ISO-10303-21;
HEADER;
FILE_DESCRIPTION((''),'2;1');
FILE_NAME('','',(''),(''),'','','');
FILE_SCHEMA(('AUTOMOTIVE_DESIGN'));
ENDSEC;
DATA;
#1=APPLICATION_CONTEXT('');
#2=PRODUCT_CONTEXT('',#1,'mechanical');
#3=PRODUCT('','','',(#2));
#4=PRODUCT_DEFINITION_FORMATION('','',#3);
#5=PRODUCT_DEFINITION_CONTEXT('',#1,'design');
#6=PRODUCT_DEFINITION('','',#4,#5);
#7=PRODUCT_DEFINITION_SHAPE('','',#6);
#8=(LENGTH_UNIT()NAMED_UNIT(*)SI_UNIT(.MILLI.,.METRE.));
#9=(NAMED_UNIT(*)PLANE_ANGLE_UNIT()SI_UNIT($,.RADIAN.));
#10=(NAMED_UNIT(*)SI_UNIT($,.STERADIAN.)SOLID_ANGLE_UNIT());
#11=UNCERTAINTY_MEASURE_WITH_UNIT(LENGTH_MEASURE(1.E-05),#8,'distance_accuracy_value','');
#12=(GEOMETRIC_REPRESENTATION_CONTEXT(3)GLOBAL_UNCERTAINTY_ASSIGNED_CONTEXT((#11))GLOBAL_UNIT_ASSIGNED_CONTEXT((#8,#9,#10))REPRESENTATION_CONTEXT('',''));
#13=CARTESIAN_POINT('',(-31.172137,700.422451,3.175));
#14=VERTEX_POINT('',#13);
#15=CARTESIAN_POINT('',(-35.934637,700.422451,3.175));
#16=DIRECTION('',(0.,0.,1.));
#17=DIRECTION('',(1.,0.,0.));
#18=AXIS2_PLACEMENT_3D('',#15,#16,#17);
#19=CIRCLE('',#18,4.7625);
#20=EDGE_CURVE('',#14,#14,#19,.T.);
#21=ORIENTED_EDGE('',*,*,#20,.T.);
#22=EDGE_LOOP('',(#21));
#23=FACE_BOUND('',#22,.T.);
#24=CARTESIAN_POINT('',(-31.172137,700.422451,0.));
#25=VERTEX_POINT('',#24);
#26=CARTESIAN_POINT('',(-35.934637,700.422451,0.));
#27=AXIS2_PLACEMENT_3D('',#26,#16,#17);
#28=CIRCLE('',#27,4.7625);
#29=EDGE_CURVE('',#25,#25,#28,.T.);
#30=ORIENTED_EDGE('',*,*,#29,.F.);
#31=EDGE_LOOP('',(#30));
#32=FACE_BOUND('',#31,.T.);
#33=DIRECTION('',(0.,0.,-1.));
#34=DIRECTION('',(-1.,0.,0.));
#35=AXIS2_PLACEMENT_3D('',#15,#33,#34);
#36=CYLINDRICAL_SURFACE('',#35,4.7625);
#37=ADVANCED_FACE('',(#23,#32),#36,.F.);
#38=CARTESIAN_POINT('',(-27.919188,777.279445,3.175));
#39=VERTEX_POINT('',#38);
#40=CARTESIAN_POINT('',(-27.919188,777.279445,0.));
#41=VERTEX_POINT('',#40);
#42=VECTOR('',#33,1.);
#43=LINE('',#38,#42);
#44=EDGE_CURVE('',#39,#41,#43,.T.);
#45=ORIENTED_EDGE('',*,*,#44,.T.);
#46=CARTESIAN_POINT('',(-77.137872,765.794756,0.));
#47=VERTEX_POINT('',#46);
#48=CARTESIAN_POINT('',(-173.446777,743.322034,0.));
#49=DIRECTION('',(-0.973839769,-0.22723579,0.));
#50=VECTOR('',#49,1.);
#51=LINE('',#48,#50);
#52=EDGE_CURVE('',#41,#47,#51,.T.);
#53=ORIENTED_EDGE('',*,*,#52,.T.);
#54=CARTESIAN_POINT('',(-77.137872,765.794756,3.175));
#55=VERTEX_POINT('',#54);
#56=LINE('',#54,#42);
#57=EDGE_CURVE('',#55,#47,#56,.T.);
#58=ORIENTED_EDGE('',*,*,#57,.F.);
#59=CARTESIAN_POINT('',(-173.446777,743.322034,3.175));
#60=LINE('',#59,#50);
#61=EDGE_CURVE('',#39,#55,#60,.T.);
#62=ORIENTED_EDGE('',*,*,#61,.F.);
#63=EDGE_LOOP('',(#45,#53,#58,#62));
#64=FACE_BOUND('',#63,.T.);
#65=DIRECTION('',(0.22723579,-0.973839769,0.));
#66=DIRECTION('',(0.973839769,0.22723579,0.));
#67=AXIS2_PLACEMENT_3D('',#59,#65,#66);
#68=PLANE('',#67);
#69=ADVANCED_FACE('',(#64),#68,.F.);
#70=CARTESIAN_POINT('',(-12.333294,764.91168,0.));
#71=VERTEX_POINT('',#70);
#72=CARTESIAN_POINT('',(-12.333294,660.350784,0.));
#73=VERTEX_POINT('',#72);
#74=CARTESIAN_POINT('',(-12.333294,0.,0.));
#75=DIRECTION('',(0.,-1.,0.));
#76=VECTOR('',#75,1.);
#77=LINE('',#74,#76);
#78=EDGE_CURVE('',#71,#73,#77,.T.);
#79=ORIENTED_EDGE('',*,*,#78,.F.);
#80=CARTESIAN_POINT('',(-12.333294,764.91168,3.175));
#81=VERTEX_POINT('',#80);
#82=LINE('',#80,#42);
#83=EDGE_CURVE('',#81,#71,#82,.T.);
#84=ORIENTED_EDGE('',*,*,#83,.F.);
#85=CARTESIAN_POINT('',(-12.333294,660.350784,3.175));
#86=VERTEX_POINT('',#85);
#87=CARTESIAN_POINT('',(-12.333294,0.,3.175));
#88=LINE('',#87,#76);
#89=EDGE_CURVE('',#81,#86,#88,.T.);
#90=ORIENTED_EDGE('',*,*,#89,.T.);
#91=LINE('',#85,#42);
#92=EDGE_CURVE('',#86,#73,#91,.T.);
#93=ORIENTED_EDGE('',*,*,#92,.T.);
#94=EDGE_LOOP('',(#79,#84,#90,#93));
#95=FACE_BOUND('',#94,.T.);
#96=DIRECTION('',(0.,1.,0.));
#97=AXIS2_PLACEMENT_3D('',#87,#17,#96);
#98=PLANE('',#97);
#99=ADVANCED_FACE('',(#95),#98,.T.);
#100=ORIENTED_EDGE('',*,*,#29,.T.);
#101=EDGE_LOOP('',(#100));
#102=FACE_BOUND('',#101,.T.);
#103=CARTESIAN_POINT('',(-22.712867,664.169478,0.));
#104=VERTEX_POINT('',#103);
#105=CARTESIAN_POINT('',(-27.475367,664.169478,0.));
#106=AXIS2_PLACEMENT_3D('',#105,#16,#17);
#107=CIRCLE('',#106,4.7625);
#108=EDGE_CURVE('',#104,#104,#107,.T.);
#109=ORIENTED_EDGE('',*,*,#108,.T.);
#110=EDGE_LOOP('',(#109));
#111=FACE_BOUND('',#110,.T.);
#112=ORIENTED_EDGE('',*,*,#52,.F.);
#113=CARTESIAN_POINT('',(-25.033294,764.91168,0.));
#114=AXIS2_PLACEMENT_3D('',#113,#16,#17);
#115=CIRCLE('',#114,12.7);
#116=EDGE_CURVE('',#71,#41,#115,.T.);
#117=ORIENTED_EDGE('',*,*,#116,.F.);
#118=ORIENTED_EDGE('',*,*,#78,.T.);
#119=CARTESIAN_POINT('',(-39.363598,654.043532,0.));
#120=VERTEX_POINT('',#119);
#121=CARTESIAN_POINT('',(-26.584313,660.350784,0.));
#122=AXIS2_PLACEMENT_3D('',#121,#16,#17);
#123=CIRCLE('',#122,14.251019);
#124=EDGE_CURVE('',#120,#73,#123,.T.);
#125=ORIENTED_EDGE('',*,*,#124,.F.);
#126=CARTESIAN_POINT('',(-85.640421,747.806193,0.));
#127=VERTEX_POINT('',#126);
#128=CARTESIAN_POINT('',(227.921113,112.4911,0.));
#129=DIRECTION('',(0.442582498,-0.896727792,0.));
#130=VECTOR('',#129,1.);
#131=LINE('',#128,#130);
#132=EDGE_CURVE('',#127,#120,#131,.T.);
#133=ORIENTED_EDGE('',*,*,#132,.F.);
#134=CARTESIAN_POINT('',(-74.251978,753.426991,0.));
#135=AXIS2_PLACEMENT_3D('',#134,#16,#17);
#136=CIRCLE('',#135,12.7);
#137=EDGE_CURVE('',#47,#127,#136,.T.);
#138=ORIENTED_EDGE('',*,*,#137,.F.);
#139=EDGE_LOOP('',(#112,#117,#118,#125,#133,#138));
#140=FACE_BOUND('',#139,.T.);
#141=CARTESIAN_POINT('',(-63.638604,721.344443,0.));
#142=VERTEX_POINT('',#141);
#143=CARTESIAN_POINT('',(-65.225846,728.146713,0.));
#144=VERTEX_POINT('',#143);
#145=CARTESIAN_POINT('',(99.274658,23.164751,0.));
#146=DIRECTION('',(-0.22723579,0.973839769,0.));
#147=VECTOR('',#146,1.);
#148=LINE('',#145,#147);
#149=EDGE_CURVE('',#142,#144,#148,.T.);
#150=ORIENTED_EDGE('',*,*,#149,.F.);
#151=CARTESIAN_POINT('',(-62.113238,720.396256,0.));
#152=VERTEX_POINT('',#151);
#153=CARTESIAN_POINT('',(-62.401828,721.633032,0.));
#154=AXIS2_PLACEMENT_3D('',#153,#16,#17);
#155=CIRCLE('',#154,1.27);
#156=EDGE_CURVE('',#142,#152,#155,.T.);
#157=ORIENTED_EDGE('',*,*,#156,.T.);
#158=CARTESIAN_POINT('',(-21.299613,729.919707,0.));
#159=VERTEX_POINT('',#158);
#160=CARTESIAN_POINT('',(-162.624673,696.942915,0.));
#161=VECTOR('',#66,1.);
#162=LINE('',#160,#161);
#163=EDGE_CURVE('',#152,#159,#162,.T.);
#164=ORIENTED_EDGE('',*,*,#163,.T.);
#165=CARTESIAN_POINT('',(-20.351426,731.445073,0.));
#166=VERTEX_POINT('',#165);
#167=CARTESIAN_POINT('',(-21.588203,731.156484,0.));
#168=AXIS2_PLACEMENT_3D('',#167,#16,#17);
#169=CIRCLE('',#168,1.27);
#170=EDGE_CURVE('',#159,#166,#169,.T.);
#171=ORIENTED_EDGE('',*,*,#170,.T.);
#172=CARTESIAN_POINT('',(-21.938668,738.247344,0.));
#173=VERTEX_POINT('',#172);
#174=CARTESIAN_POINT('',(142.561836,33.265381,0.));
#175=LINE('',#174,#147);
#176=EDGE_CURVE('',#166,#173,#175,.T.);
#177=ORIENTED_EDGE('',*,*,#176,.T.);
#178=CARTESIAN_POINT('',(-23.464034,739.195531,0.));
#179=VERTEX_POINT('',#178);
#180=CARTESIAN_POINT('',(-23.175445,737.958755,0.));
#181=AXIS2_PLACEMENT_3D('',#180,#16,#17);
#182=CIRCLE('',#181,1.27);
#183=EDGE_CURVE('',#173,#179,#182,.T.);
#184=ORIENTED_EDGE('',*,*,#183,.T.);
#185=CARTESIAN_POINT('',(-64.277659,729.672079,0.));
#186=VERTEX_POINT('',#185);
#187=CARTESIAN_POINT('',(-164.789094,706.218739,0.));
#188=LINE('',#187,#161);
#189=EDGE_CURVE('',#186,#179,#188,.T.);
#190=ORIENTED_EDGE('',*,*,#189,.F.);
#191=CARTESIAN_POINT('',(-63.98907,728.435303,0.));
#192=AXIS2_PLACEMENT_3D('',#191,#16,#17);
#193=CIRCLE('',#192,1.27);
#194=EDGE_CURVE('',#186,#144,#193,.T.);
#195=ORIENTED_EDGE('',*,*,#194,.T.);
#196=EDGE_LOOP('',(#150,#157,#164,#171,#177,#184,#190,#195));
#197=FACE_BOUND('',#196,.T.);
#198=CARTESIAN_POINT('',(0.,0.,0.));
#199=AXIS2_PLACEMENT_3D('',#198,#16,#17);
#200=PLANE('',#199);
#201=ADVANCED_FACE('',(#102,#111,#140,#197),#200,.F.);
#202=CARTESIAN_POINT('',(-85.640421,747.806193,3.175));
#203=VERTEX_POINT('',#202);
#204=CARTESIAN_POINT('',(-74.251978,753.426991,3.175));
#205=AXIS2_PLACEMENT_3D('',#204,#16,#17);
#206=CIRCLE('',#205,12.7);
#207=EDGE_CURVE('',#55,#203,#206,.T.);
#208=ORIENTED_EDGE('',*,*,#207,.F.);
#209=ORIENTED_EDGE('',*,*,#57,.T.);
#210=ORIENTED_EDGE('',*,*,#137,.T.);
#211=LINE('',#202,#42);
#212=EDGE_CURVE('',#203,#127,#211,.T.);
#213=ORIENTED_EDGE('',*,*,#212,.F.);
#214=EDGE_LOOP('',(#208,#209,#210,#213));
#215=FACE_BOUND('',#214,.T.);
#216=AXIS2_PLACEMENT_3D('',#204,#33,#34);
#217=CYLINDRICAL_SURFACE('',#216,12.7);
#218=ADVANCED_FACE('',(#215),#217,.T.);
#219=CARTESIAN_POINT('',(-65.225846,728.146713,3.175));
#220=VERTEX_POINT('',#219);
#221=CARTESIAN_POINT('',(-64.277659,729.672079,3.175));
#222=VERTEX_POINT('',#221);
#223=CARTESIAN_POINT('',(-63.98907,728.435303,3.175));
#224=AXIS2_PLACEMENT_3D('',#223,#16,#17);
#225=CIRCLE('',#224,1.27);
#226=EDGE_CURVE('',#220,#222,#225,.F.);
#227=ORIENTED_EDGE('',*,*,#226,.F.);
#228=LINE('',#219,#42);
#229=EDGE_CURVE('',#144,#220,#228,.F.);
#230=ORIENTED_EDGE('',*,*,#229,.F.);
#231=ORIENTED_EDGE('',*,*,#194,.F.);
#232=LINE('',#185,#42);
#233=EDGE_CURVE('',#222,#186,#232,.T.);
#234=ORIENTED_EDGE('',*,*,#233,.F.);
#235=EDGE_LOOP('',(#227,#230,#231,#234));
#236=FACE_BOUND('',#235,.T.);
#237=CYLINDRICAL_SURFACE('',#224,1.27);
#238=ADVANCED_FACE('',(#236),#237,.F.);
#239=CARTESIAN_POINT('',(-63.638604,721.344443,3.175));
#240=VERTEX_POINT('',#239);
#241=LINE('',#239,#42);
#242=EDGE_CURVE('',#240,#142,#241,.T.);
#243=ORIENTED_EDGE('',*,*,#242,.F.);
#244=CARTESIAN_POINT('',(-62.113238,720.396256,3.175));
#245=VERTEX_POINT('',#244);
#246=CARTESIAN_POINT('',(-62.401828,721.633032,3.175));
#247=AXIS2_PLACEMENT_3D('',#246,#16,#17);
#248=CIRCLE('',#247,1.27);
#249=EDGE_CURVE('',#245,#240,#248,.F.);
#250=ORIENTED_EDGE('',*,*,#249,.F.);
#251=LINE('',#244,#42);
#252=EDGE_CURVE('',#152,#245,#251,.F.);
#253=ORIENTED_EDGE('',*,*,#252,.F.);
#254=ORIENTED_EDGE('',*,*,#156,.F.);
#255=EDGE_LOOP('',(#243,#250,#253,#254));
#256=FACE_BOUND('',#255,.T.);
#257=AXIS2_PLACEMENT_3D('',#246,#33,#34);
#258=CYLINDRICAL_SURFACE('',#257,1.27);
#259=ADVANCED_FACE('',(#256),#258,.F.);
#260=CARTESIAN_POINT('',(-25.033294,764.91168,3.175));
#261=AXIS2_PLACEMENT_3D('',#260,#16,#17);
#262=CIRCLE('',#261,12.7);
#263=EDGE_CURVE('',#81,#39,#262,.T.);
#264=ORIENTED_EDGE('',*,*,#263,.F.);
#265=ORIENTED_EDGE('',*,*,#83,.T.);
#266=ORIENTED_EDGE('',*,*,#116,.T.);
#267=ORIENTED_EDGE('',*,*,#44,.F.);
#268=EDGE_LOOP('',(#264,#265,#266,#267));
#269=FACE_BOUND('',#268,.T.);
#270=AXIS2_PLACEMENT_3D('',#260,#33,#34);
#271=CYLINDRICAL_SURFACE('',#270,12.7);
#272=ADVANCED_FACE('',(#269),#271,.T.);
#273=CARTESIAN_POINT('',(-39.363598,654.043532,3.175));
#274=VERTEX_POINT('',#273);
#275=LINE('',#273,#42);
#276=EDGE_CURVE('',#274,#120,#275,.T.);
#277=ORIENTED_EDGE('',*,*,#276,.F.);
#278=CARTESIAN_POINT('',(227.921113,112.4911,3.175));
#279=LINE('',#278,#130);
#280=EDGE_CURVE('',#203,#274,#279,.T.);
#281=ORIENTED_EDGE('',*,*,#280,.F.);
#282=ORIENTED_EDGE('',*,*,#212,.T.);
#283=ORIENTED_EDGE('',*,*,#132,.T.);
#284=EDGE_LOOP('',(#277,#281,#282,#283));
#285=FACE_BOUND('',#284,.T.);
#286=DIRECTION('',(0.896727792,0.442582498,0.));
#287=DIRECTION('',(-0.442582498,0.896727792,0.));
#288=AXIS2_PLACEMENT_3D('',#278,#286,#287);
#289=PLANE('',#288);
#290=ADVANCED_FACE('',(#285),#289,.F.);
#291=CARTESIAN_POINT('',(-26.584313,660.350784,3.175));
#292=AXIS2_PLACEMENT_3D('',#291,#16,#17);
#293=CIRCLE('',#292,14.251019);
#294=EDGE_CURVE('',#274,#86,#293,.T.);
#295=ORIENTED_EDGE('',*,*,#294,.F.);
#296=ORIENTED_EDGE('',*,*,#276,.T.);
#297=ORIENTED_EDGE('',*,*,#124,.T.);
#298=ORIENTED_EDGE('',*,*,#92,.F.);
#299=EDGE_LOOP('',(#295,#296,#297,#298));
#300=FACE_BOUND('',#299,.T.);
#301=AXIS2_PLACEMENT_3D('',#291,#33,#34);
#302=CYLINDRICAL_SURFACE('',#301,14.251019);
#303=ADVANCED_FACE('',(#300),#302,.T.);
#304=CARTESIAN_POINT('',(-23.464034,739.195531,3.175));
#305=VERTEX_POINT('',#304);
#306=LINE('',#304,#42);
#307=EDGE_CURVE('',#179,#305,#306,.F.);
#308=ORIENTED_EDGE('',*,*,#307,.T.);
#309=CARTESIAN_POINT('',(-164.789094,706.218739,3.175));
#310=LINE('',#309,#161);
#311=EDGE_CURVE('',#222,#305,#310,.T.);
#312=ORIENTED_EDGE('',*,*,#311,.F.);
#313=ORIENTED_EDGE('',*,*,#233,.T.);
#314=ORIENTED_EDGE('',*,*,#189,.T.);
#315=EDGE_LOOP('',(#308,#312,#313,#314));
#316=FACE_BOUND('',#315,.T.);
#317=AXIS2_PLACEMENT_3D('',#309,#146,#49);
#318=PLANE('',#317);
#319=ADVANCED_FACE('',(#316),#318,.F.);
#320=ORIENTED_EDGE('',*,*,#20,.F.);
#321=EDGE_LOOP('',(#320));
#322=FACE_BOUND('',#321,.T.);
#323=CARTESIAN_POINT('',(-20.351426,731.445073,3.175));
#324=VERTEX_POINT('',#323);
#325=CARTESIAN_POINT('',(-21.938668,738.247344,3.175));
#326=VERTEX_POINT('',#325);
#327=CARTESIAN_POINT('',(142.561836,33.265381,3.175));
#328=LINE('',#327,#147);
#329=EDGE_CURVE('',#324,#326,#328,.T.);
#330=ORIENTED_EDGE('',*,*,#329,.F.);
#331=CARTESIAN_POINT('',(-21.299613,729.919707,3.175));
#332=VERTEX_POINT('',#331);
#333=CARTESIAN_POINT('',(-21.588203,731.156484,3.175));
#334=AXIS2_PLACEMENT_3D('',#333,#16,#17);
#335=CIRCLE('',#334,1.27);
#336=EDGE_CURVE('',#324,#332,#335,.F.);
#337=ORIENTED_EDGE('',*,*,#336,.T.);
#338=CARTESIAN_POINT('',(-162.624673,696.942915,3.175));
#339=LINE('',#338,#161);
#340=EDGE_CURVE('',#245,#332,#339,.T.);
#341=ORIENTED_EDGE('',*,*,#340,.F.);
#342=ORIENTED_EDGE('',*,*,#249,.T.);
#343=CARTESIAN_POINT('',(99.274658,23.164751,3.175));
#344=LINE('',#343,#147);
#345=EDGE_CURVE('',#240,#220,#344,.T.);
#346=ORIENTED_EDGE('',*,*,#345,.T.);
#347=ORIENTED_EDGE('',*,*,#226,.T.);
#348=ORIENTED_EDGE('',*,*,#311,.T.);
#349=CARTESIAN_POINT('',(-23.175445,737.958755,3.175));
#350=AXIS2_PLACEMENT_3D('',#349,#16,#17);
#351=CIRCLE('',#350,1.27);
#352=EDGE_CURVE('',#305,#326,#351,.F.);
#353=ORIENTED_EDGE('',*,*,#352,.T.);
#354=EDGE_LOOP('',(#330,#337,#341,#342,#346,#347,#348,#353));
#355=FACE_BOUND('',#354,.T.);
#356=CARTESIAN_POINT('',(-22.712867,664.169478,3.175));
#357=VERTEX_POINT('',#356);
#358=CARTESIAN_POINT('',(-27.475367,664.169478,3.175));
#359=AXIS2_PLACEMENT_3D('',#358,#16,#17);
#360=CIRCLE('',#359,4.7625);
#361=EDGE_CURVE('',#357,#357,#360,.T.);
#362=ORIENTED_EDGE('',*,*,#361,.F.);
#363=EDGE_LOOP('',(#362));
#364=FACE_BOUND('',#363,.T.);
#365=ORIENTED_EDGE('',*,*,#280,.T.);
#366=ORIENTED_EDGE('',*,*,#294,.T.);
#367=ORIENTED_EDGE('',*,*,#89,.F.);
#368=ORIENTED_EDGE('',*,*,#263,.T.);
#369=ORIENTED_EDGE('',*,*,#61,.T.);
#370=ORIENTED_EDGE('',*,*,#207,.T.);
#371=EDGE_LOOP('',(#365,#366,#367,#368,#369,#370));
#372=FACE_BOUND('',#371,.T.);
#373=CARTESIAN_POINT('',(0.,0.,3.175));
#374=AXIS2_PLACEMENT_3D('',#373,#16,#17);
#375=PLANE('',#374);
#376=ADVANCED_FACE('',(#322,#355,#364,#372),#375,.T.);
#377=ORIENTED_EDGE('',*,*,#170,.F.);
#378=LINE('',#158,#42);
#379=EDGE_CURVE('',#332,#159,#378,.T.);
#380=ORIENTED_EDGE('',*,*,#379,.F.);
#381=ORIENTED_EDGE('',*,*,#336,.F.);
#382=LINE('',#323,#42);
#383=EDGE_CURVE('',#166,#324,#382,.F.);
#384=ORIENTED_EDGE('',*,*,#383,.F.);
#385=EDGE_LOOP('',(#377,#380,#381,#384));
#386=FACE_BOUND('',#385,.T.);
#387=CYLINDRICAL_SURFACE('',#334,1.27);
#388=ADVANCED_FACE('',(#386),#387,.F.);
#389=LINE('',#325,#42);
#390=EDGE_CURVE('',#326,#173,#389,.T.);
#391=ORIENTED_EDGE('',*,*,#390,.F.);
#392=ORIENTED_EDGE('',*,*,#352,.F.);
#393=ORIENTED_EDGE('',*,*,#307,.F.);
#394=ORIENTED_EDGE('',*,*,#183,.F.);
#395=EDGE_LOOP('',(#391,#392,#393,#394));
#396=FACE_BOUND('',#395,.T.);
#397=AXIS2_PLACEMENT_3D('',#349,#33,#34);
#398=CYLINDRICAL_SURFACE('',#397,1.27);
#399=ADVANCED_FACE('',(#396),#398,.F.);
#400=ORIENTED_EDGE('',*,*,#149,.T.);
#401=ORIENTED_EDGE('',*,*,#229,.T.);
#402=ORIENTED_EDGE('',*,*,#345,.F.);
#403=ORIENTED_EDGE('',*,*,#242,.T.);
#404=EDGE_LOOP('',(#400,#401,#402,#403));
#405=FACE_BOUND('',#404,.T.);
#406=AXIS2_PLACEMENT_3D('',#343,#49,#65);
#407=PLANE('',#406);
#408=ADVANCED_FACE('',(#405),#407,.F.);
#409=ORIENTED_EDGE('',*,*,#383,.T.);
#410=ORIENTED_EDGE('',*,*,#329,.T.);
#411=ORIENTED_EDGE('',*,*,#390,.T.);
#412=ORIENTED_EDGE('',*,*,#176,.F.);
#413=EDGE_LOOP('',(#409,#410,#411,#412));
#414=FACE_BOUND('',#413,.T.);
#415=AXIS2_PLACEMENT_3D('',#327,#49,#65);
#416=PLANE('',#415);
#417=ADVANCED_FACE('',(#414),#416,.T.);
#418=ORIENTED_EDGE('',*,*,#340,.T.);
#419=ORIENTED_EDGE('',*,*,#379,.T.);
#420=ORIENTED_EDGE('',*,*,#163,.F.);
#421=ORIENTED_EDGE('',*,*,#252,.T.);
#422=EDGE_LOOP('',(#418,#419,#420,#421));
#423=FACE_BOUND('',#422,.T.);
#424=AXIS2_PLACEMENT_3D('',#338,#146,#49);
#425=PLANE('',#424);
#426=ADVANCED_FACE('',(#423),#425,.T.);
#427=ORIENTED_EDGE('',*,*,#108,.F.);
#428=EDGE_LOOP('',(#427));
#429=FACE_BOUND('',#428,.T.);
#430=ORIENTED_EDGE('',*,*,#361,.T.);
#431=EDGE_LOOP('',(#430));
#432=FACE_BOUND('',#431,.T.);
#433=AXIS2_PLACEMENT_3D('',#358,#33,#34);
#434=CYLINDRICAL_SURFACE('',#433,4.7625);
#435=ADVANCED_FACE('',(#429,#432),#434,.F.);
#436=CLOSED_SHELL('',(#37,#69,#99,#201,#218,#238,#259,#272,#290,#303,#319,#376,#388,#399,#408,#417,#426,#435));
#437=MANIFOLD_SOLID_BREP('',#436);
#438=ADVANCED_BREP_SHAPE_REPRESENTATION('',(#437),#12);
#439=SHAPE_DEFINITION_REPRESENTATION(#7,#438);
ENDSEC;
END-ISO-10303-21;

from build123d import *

# Parameters (mm, degrees)
SKETCH1_R           = 4.7625
BOSS_EXTRUDE1_DEPTH = 3.175
FILLET1_R           = 1.27


with BuildPart() as part:
    # Sketch1 → Boss-Extrude1 (new body)
    with BuildSketch(Plane.XY):
        with BuildLine():
            Line((-85.640420597, 747.8061934), (-39.363598028, 654.043532069))
            ThreePointArc((-39.363598028, 654.043532069), (-23.3459714, 646.472574481), (-12.333293773, 660.350783769))
            Line((-12.333293773, 660.350783769), (-12.333293773, 764.911679744))
            ThreePointArc((-12.333293773, 764.911679744), (-17.139019283, 774.860068069), (-27.919188304, 777.279444811))
            Line((-27.919188304, 777.279444811), (-77.137872176, 765.794756196))
            ThreePointArc((-77.137872176, 765.794756196), (-85.733975533, 758.854119696), (-85.640420597, 747.8061934))
        make_face()
        with Locations((-35.934636682, 700.422451369)):
            Circle(SKETCH1_R, mode=Mode.SUBTRACT)
        with Locations((-27.475367191, 664.169477971)):
            Circle(SKETCH1_R, mode=Mode.SUBTRACT)
        Polygon((-63.350014613, 720.107666072), (-20.062836878, 730.208296933), (-22.227257777, 739.484120734), (-65.514435511, 729.383489872), align=None, mode=Mode.SUBTRACT)
    extrude(amount=BOSS_EXTRUDE1_DEPTH)

    # Fillet1
    fillet1_edges = [part.edges().sort_by_distance(p)[0] for p in [
        (-20.062836878, 730.208296933, 1.5875),
        (-22.227257777, 739.484120734, 1.5875),
        (-65.514435511, 729.383489872, 1.5875),
        (-63.350014613, 720.107666072, 1.5875),
    ]]
    fillet(fillet1_edges, radius=FILLET1_R)


solid = part.part
